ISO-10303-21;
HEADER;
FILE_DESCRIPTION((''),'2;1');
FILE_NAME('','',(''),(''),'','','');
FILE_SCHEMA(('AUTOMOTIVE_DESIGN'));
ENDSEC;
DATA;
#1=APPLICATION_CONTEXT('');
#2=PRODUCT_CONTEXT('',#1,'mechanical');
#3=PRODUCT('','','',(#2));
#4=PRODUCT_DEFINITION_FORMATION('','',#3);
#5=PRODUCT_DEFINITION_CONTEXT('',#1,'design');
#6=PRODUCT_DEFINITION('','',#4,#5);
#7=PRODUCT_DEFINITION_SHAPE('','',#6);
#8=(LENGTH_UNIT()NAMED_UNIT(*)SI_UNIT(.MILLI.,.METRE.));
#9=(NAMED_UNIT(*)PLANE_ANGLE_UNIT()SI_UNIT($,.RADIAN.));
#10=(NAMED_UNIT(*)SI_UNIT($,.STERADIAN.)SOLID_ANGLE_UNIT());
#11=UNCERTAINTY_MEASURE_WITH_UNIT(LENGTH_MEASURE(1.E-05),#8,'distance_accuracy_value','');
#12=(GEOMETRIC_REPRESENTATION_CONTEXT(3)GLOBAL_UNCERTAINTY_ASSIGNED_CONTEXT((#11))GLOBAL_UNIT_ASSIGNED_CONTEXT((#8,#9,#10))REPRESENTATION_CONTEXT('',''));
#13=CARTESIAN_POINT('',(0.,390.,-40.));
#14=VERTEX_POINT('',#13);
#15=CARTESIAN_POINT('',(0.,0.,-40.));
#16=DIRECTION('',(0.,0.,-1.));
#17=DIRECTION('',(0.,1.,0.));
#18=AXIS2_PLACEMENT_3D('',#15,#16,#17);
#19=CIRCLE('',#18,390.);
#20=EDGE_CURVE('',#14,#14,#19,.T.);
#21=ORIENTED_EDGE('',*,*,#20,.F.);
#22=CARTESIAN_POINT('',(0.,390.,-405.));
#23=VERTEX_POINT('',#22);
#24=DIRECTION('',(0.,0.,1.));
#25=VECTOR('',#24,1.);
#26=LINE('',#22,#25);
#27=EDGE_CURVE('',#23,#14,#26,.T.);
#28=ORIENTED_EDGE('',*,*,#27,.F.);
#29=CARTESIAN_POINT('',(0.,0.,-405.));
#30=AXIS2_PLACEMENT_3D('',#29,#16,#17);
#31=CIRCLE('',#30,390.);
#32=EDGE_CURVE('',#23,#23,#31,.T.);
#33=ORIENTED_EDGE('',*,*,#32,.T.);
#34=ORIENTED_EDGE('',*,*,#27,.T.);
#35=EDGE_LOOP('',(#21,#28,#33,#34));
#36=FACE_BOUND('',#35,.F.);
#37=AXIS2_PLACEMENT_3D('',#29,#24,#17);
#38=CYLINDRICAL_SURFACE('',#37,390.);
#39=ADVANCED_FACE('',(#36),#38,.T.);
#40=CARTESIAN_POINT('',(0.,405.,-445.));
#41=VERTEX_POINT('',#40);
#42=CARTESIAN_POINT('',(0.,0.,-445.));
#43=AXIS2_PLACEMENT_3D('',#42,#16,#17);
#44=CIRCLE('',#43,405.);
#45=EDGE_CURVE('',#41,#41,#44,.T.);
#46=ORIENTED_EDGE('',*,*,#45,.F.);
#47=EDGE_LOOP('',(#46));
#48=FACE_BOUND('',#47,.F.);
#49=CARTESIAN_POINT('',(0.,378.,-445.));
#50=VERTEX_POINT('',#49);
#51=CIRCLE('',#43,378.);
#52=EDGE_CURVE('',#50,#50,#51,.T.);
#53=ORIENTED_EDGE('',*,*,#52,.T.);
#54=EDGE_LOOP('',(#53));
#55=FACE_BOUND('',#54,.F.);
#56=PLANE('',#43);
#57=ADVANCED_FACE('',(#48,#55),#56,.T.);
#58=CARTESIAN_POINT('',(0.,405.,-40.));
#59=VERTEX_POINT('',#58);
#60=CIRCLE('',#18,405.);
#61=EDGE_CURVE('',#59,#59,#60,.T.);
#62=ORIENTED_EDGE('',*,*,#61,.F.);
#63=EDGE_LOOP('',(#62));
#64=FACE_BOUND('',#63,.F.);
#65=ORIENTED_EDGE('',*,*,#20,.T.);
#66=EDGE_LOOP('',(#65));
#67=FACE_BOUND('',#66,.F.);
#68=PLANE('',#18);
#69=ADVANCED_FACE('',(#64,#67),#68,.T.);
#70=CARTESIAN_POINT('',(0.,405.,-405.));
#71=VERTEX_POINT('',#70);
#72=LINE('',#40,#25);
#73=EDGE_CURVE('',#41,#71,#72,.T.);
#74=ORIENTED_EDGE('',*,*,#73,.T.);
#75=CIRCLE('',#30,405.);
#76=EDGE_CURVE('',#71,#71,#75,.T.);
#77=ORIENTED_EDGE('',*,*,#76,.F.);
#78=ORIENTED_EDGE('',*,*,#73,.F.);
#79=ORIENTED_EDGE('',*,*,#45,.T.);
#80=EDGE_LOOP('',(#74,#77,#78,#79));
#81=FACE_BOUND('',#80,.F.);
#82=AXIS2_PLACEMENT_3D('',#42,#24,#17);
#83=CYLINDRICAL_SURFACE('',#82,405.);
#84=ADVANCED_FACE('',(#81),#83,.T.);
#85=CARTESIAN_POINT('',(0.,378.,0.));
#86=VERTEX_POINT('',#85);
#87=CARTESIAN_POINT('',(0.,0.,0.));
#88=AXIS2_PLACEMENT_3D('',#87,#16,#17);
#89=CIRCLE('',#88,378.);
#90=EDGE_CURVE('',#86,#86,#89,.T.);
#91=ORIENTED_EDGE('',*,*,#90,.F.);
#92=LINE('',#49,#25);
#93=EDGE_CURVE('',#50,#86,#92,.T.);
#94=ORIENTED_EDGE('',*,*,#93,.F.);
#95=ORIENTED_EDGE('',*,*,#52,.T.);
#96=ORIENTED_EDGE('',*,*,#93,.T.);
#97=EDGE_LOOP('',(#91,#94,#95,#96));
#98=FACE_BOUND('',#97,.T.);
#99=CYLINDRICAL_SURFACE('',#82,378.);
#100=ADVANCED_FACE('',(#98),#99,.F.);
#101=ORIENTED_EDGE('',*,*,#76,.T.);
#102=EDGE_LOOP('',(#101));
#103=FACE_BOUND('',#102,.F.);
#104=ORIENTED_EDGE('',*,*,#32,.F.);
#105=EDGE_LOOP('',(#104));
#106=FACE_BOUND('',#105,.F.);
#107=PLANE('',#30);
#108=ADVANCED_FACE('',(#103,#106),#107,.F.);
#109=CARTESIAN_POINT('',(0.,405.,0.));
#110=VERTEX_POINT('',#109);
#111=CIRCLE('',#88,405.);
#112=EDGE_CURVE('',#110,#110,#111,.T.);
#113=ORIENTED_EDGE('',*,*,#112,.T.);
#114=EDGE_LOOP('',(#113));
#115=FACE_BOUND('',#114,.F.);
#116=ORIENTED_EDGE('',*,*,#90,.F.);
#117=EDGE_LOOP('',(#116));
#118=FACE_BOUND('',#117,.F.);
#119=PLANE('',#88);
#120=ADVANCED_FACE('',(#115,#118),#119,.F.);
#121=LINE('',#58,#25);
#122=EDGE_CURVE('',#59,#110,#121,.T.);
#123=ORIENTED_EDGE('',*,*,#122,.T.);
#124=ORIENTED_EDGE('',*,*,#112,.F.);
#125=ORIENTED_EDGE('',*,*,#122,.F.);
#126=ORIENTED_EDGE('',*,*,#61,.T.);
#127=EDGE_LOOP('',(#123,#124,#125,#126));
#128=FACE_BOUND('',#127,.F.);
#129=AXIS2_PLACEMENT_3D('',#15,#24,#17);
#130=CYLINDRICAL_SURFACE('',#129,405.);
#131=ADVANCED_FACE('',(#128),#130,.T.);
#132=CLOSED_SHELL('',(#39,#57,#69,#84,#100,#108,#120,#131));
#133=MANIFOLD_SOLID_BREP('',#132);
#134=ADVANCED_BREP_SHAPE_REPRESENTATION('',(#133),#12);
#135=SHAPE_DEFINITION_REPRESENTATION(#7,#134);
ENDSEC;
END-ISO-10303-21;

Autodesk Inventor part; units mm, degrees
ref_plane "YZ Plane" through (0, 0, 0) normal (1, 0, 0) x (0, 1, 0)
ref_plane "XZ Plane" through (0, 0, 0) normal (0, 1, 0) x (-1, 0, 0)
ref_plane "XY Plane" through (0, 0, 0) normal (0, 0, 1) x (1, 0, 0)
sketch "Sketch1" plane through (0, 0, 0) normal (1, 0, 0) x (0, 1, 0)
  line L0 (0, 0) -> (0, -445)
  line L1 (0, -445) -> (378, -445)
  line L2 (378, -445) -> (378, 0)
  line L3 (378, 0) -> (0, 0)
  line L4 (378, -445) -> (405, -445)
  line L5 (405, -445) -> (405, -405)
  line L6 (405, -405) -> (390, -405)
  line L7 (390, -405) -> (390, -40)
  line L8 (390, -40) -> (405, -40)
  line L9 (405, -40) -> (405, 0)
  line L10 (405, 0) -> (378, 0)
  dimension "d0" = 756
  dimension "d1" = 445
  dimension "d2" = 40
  dimension "d3" = 40
  dimension "d4" = 780
  dimension "d5" = 810
revolve "Revolution1" add sketch "Sketch1" angle 360 about axis through (0, 0, 0) along (0, 0, -1) contours L10 L9 L8 L7 L6 L5 L4 L2
properties part number "DiscoCorpoTurbina2" material "Steel, Alloy"
